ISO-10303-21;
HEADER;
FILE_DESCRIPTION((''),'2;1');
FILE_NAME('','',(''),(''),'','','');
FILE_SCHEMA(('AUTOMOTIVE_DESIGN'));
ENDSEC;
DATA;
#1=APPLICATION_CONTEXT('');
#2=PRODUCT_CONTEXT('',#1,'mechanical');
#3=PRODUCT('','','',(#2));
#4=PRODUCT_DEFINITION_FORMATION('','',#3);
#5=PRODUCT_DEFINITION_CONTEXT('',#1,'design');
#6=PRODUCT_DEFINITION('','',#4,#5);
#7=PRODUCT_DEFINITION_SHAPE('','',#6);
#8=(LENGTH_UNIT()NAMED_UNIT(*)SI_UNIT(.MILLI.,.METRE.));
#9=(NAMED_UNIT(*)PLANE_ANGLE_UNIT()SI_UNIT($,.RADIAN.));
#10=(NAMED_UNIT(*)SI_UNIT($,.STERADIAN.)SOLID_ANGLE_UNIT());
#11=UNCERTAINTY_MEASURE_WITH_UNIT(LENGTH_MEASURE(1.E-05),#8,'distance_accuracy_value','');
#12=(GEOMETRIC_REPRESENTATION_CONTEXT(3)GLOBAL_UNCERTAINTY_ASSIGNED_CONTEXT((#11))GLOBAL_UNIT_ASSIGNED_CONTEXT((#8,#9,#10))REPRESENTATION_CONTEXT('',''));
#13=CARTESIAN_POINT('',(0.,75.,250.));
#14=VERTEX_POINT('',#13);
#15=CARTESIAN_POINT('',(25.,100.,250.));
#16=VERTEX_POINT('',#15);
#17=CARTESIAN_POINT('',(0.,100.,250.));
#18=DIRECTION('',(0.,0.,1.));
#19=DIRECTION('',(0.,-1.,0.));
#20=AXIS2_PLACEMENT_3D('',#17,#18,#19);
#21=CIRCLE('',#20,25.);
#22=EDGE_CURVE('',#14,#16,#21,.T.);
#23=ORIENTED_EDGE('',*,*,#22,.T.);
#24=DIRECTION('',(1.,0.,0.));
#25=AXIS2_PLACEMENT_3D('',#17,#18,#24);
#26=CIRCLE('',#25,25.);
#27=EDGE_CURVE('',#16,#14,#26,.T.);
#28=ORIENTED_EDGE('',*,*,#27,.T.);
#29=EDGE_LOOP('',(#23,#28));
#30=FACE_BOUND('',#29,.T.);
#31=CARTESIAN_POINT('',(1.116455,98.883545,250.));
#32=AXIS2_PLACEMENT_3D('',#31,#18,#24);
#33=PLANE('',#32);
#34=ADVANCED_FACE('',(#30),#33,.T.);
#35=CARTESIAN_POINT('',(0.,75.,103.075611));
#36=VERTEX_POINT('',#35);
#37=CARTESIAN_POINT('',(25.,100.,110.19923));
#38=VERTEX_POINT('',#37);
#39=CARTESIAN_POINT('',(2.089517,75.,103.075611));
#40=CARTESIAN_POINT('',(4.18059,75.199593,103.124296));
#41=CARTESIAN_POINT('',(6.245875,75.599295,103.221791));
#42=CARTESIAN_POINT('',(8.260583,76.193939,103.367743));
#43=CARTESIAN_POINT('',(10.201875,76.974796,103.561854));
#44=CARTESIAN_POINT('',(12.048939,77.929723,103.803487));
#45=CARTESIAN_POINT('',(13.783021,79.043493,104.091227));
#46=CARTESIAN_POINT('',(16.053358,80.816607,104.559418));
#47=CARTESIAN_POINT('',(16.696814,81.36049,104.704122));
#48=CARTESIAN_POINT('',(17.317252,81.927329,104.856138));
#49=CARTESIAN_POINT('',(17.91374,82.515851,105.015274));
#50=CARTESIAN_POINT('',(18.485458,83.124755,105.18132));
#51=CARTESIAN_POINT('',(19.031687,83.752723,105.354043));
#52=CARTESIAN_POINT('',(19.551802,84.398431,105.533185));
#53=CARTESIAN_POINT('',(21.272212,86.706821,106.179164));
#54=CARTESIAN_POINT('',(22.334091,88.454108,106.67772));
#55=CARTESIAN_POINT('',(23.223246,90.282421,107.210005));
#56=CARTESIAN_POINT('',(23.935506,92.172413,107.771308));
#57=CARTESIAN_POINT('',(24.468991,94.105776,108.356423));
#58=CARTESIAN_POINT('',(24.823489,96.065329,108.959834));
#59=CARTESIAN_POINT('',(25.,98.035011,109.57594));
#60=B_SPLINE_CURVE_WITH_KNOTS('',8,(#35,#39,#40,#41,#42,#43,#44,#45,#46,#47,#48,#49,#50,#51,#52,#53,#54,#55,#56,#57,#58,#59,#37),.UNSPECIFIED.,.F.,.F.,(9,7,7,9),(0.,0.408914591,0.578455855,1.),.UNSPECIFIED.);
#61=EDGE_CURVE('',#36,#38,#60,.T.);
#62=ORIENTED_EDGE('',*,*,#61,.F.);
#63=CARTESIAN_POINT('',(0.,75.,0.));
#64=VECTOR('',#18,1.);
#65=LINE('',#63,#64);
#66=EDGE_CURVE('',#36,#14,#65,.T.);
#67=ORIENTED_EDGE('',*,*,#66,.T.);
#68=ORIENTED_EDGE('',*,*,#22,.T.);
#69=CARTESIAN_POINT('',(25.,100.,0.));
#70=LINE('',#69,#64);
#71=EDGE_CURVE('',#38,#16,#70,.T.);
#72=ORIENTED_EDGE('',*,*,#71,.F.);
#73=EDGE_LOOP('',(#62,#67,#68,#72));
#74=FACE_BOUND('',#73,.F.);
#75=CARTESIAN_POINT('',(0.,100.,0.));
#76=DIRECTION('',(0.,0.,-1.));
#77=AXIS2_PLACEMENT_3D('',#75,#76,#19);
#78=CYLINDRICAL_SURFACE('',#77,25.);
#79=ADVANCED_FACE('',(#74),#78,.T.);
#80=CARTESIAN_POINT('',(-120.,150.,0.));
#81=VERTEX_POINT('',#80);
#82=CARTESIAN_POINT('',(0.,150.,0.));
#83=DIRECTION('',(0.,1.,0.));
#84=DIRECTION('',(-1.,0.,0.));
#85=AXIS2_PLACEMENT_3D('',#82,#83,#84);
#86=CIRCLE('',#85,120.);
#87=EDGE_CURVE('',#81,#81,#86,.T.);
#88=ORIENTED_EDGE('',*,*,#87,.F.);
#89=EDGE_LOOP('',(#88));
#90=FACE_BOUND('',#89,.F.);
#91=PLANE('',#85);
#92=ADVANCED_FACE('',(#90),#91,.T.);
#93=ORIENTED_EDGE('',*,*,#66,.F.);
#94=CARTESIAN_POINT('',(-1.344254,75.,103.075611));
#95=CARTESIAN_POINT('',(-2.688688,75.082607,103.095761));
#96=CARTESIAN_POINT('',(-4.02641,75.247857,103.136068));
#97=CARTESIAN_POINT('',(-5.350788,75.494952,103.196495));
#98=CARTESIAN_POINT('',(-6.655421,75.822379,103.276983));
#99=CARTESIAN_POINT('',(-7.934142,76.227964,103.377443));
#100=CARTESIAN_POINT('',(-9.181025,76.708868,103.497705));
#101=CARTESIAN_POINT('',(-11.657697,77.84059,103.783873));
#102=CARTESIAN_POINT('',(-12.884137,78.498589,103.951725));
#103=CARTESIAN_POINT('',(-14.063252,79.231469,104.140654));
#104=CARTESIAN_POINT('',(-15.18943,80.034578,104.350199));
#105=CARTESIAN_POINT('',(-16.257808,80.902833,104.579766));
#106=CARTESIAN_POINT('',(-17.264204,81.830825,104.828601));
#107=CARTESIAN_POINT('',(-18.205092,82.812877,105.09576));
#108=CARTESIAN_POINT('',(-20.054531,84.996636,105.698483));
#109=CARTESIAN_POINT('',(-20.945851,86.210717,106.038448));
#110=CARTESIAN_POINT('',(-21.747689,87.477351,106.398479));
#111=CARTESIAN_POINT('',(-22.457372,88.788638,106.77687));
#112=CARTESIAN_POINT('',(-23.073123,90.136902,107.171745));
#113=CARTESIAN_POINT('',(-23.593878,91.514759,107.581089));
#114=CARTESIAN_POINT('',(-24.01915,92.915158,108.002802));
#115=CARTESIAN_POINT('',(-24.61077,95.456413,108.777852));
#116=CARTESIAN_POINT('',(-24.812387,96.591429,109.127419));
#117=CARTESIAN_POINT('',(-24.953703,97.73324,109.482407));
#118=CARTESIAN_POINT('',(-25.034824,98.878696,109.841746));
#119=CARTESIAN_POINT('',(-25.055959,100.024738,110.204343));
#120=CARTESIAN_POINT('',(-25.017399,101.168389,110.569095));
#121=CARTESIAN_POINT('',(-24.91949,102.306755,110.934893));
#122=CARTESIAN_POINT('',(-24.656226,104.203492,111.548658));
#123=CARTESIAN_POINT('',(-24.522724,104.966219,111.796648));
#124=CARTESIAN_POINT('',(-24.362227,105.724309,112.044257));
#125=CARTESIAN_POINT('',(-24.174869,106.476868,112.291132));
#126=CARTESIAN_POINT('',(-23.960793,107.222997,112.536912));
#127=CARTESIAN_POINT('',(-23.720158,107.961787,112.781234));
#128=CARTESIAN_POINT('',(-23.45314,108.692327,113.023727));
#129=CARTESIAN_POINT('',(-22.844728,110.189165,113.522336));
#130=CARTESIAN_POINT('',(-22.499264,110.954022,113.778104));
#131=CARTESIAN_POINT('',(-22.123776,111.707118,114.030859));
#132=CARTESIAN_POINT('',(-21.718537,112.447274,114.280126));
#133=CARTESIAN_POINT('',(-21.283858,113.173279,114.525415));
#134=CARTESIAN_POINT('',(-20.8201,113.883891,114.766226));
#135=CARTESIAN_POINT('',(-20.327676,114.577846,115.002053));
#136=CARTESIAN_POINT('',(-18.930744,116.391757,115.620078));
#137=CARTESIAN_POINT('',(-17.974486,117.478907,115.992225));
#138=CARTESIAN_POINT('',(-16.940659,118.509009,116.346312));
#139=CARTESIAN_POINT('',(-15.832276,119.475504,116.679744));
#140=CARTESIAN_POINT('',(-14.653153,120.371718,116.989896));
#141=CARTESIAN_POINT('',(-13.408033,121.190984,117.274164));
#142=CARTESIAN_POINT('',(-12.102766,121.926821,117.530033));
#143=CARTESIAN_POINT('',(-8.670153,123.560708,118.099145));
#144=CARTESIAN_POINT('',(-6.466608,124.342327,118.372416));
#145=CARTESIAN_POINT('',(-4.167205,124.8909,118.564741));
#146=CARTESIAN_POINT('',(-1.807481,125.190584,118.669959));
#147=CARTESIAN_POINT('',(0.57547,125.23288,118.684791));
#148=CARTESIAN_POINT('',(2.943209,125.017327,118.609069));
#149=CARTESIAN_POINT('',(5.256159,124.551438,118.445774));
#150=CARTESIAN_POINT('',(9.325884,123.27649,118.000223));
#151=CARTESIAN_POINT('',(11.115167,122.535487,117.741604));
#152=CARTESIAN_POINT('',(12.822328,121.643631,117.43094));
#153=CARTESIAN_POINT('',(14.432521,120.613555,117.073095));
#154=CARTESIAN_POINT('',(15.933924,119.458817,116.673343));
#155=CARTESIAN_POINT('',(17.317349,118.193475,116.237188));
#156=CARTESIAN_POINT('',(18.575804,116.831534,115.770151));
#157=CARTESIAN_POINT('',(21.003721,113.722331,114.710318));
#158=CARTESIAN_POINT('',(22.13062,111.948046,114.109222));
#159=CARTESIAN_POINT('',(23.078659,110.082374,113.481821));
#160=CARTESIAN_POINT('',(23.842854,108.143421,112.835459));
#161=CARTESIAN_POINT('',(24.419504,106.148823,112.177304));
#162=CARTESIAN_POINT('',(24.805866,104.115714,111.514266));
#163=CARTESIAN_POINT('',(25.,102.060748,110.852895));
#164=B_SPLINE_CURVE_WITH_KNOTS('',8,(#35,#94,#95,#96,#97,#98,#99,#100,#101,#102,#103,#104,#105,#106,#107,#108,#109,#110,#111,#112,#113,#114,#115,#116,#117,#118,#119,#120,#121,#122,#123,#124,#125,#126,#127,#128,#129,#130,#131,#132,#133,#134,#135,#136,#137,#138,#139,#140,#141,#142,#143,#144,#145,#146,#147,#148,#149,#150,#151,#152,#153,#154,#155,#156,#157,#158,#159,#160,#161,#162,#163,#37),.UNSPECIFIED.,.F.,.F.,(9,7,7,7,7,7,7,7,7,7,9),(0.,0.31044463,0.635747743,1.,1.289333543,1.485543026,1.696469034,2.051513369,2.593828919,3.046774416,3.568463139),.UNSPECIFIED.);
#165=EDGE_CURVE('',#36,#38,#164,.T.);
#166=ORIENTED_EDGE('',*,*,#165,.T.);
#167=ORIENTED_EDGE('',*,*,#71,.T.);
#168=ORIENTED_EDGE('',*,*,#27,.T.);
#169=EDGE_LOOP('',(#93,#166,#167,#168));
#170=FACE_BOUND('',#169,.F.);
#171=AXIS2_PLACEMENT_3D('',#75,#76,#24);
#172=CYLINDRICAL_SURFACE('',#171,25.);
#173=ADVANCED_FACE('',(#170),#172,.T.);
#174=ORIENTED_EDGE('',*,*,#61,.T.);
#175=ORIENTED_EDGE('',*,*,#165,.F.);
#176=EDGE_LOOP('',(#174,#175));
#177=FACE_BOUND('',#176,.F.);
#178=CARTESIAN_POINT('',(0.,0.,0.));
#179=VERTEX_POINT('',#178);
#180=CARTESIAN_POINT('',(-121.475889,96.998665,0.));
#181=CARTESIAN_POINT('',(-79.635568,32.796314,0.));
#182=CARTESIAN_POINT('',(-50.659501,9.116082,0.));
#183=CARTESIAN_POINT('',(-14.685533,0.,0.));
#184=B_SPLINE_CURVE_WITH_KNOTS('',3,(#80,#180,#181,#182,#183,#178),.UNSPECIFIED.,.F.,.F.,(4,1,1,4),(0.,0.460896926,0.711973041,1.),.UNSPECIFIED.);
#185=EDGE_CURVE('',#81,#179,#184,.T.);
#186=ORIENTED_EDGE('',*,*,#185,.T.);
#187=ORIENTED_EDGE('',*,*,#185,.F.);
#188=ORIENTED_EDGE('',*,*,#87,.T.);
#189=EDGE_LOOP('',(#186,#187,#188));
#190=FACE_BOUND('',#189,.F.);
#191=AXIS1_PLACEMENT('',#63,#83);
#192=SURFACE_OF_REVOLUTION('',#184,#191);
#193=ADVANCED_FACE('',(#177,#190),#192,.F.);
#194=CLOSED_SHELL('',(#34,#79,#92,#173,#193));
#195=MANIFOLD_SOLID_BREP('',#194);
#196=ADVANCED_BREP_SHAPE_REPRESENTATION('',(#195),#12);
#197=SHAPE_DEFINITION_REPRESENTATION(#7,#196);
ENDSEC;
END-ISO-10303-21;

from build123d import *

# Parameters (mm, degrees)
F3_DEPTH = 250


with BuildPart() as f1:
    # F0 (on Top) → F1 (revolve)
    with BuildSketch(Plane.XY):
        with BuildLine():
            add(Edge.make_bspline(
                [(-120, 150), (-121.4758888106, 96.9986646922), (-79.6355678668, 32.7963142803), (-50.659501324, 9.1160815716), (-14.6855329059, 0), (0, 0)],
                knots=[0, 0, 0, 0, 0.4608969261, 0.7119730415, 1, 1, 1, 1], degree=3))
            Line((0, 0), (0, 150))
            Line((0, 150), (-120, 150))
        make_face()
    revolve(axis=Axis((0, 75, 0), (0, 1, 0)))

    # F2 (on Top) → F3 (join)
    with BuildSketch(Plane.XY):
        with BuildLine():
            ThreePointArc((0, 75), (17.6776695297, 82.3223304703), (25, 100))
            ThreePointArc((25, 100), (-17.6776695297, 117.6776695297), (0, 75))
        make_face()
    extrude(amount=F3_DEPTH)


solid = f1.part
